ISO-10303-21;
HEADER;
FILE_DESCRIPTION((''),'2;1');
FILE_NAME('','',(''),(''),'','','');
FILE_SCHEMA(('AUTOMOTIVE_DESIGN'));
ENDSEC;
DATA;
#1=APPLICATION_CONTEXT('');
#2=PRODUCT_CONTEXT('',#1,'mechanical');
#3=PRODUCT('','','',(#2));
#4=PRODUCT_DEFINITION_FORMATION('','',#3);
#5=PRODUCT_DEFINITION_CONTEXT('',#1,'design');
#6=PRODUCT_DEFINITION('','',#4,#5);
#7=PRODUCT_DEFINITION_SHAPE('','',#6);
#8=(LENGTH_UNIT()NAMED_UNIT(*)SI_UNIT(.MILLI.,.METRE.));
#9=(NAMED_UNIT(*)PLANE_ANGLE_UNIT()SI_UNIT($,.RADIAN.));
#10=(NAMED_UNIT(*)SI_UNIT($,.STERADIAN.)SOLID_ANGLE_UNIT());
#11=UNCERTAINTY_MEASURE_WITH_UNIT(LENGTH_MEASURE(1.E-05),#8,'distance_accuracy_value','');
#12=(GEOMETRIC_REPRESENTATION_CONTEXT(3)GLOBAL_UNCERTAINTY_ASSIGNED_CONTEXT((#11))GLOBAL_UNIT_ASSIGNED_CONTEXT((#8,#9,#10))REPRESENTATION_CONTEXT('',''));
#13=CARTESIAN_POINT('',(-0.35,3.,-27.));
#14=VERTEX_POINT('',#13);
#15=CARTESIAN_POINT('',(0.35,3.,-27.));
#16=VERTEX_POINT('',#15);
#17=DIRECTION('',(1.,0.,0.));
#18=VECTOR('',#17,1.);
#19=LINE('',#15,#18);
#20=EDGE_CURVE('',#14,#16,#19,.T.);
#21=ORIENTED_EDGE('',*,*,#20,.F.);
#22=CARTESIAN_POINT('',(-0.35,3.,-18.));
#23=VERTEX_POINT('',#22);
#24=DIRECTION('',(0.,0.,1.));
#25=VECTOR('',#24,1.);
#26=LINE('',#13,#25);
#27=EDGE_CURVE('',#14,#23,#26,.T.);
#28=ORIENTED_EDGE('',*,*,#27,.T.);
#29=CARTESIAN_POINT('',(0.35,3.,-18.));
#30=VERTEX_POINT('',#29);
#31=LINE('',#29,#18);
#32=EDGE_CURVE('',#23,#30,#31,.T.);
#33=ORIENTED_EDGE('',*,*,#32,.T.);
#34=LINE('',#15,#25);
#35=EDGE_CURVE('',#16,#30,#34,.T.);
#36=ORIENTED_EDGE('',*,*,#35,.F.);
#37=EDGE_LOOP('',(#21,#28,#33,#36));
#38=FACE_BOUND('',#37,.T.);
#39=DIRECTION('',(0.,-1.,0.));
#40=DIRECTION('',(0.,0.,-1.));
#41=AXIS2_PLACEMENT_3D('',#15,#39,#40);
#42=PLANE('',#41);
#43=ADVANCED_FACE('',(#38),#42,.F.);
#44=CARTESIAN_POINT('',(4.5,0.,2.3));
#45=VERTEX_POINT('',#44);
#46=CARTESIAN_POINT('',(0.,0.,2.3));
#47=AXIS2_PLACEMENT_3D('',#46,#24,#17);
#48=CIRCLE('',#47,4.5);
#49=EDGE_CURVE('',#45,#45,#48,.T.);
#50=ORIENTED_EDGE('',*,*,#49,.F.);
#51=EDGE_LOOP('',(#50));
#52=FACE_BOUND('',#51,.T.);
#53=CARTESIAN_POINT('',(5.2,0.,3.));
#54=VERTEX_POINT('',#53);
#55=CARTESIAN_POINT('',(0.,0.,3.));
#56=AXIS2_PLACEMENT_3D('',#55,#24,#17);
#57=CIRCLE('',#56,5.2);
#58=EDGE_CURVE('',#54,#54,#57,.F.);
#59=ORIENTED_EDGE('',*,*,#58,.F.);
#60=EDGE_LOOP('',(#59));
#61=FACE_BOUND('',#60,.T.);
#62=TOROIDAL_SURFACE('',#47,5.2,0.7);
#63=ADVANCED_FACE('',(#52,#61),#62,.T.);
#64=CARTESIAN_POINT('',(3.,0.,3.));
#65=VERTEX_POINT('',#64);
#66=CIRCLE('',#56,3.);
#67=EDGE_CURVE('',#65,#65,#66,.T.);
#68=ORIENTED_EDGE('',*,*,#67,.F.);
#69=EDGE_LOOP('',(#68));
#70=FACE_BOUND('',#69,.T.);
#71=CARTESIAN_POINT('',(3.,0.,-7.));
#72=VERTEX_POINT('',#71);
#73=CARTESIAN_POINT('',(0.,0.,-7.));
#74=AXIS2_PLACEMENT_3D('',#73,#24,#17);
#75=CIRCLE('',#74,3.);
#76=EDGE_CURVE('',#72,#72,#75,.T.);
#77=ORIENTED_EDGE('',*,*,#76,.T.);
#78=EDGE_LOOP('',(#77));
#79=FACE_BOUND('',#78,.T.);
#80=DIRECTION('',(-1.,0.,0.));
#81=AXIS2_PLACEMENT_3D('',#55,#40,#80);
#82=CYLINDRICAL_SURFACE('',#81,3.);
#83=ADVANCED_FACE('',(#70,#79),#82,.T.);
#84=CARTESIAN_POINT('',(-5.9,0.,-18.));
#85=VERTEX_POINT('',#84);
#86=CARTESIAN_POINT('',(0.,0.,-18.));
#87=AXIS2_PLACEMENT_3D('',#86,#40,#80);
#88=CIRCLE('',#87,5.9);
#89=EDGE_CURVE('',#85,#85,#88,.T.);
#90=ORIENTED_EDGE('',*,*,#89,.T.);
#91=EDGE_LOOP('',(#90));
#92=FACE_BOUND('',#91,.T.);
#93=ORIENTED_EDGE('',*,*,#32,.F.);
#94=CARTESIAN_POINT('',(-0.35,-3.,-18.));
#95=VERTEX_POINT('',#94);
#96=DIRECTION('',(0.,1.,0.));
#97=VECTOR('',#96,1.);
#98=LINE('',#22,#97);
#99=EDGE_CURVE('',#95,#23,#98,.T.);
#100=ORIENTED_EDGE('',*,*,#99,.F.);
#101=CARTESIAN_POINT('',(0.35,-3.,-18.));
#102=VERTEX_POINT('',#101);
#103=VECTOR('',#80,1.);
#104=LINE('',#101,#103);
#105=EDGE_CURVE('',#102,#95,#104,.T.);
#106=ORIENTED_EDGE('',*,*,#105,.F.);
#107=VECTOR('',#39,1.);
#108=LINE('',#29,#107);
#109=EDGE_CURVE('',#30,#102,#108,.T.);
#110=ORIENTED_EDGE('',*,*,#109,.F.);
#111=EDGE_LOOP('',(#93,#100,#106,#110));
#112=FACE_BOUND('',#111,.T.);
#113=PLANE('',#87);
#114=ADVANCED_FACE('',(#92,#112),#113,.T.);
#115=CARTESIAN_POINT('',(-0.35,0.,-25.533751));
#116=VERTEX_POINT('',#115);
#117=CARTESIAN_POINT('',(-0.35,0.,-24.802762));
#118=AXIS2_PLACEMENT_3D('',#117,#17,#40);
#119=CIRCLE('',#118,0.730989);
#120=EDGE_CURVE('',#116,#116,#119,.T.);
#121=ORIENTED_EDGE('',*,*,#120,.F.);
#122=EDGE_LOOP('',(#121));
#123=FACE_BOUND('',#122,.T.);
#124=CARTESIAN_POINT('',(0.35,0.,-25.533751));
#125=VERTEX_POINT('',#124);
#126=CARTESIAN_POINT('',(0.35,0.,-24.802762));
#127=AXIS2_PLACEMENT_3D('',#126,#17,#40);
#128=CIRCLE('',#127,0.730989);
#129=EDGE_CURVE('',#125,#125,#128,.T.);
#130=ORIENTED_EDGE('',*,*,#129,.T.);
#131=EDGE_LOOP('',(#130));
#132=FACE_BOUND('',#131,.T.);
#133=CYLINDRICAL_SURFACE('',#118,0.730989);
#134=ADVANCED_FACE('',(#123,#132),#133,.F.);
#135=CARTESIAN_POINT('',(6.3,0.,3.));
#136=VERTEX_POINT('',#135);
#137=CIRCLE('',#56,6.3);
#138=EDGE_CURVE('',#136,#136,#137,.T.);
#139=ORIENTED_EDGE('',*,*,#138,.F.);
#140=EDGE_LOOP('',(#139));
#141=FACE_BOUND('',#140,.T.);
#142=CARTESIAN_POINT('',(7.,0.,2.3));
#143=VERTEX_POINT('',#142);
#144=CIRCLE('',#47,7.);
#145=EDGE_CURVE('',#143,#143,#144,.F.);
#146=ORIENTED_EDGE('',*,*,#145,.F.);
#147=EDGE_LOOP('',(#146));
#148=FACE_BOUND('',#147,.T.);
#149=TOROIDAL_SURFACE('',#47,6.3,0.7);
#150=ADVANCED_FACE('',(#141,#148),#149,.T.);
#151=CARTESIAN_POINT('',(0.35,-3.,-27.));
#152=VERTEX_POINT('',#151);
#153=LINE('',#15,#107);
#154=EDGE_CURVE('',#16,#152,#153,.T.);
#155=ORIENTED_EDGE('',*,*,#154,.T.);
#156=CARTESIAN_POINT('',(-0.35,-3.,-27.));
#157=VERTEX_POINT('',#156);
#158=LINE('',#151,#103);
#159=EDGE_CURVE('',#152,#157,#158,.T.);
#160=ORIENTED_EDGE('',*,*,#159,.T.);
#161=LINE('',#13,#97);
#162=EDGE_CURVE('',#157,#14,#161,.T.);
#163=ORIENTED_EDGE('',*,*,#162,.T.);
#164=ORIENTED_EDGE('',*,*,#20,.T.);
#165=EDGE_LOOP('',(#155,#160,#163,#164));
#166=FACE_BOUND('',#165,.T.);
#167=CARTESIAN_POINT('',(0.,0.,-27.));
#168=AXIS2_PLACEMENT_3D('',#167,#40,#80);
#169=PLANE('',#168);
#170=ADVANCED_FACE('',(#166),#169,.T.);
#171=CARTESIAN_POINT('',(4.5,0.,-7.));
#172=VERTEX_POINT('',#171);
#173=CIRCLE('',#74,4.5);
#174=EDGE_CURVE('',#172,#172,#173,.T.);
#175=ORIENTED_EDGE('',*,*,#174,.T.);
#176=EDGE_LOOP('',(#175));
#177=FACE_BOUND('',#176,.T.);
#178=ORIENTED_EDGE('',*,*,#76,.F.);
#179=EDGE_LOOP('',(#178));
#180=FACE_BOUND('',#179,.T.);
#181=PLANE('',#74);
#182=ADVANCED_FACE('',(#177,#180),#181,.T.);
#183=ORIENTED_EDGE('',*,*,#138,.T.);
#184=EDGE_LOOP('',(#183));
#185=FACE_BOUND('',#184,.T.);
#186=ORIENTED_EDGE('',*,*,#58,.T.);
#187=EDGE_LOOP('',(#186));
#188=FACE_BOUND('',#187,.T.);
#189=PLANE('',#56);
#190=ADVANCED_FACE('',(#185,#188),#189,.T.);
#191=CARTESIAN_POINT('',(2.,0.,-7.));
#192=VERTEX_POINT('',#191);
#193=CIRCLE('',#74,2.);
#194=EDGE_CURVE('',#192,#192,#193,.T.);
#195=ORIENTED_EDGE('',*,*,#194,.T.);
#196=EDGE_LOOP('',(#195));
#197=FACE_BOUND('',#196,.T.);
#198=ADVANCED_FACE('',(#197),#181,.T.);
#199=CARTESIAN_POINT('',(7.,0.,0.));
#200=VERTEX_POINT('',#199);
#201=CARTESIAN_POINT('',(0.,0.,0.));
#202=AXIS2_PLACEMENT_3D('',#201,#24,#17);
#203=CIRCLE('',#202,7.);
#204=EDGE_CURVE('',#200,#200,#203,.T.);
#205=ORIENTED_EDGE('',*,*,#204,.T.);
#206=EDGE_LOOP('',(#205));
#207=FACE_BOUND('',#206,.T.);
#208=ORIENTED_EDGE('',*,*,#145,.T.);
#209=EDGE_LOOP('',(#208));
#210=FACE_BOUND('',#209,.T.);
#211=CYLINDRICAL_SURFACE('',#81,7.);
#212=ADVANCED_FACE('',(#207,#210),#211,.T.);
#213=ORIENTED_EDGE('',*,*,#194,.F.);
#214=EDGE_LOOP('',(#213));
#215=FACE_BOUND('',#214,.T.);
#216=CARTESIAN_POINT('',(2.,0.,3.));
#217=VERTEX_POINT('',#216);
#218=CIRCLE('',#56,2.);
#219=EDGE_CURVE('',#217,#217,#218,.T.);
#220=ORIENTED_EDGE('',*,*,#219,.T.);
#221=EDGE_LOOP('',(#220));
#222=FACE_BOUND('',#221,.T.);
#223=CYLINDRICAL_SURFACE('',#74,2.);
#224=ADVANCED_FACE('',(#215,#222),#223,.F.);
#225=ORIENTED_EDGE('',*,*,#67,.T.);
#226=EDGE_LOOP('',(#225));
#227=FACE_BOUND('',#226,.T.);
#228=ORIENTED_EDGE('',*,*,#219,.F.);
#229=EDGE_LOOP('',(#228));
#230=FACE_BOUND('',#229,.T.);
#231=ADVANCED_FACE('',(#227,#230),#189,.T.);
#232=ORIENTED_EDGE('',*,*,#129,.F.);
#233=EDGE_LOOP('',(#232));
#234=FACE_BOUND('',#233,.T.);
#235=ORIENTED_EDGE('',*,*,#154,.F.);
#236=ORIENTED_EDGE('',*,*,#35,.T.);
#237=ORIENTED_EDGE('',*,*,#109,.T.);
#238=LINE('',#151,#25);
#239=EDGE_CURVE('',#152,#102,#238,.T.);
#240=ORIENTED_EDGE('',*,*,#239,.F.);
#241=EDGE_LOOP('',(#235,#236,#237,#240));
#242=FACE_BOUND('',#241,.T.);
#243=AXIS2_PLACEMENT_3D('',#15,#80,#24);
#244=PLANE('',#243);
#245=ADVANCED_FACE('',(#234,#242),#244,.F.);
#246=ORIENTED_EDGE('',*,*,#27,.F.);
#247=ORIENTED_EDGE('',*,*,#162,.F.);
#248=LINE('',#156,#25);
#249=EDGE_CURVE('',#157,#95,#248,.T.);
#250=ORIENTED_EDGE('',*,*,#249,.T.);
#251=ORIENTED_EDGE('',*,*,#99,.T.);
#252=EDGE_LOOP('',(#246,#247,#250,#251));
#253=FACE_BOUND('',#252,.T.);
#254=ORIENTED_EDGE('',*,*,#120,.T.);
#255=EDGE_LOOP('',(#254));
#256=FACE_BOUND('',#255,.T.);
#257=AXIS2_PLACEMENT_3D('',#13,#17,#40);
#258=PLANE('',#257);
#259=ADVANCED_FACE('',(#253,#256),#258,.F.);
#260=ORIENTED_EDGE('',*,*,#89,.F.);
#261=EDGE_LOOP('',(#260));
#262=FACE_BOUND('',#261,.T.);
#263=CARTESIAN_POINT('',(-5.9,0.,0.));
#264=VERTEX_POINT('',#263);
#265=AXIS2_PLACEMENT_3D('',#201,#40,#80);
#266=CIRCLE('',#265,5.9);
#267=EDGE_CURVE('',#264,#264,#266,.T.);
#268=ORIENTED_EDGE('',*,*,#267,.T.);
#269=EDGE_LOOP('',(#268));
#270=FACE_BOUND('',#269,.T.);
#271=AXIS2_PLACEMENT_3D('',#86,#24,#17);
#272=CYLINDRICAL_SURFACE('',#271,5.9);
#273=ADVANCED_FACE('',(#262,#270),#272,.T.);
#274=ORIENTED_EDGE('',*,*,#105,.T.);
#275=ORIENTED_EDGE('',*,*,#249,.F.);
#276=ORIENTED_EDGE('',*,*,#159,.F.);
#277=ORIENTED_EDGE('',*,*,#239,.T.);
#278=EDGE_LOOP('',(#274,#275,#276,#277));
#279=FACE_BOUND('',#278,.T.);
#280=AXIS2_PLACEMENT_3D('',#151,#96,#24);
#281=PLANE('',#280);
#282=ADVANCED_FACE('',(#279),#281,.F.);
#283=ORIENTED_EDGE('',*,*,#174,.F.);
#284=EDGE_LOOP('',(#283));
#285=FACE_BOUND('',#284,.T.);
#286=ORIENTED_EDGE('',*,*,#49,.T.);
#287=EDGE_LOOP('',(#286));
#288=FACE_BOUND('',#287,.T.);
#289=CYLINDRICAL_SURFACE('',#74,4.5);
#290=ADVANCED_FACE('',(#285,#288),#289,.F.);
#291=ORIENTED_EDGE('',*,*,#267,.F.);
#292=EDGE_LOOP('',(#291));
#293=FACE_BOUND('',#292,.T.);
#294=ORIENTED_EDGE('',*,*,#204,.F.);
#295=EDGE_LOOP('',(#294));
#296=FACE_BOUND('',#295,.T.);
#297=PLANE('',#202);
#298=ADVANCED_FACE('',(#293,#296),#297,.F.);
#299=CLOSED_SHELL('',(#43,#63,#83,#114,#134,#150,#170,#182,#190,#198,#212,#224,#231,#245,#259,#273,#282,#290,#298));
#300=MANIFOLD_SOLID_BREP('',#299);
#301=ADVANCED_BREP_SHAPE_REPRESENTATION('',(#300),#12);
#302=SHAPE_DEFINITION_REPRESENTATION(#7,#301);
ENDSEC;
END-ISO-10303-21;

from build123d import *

# Parameters (mm, degrees)
SKETCH1_R           = 7
BOSS_EXTRUDE1_DEPTH = 3
SKETCH2_R           = 5.9
BOSS_EXTRUDE2_DEPTH = 18
SKETCH3_W           = 0.7
SKETCH3_H           = 6
BOSS_EXTRUDE3_DEPTH = 9
SKETCH4_R           = 0.730989372
CUT_EXTRUDE1_DEPTH  = 0.7
SKETCH8_R           = 4.5
CUT_EXTRUDE2_DEPTH  = 10
SKETCH9_R           = 3
BOSS_EXTRUDE4_DEPTH = 10
SKETCH10_R          = 2
CUT_EXTRUDE3_DEPTH  = 10
FILLET3_R           = 0.7


with BuildPart() as part:
    # Sketch1 → Boss-Extrude1 (new body)
    with BuildSketch(Plane.XY):
        Circle(SKETCH1_R)
    extrude(amount=BOSS_EXTRUDE1_DEPTH)

    # Sketch2 → Boss-Extrude2 (add)
    with BuildSketch(Plane(origin=(0, 0, 0), x_dir=(-1, 0, 0), z_dir=(0, 0, -1))):
        Circle(SKETCH2_R)
    extrude(amount=BOSS_EXTRUDE2_DEPTH)

    # Sketch3 → Boss-Extrude3 (add)
    with BuildSketch(Plane(origin=(0, 0, -18), x_dir=(-1, 0, 0), z_dir=(0, 0, -1))):
        Rectangle(SKETCH3_W, SKETCH3_H)
    extrude(amount=BOSS_EXTRUDE3_DEPTH)

    # Sketch4 → Cut-Extrude1 (cut)
    with BuildSketch(Plane(origin=(0.35, 0, 0), x_dir=(0, 0, -1), z_dir=(1, 0, 0))):
        with Locations((24.802762054, 0)):
            Circle(SKETCH4_R)
    extrude(amount=-CUT_EXTRUDE1_DEPTH, mode=Mode.SUBTRACT)

    # Sketch8 → Cut-Extrude2 (cut)
    with BuildSketch(Plane.XY.offset(3)):
        Circle(SKETCH8_R)
    extrude(amount=-CUT_EXTRUDE2_DEPTH, mode=Mode.SUBTRACT)

    # Sketch9 → Boss-Extrude4 (add)
    with BuildSketch(Plane.XY.offset(-7)):
        Circle(SKETCH9_R)
    extrude(amount=BOSS_EXTRUDE4_DEPTH)

    # Sketch10 → Cut-Extrude3 (cut)
    with BuildSketch(Plane.XY.offset(3)):
        Circle(SKETCH10_R)
    extrude(amount=-CUT_EXTRUDE3_DEPTH, mode=Mode.SUBTRACT)

    # Fillet3
    fillet3_edges = [part.edges().sort_by_distance(p)[0] for p in [
        (-4.5, 0, 3),
        (-7, 0, 3),
    ]]
    fillet(fillet3_edges, radius=FILLET3_R)


solid = part.part
